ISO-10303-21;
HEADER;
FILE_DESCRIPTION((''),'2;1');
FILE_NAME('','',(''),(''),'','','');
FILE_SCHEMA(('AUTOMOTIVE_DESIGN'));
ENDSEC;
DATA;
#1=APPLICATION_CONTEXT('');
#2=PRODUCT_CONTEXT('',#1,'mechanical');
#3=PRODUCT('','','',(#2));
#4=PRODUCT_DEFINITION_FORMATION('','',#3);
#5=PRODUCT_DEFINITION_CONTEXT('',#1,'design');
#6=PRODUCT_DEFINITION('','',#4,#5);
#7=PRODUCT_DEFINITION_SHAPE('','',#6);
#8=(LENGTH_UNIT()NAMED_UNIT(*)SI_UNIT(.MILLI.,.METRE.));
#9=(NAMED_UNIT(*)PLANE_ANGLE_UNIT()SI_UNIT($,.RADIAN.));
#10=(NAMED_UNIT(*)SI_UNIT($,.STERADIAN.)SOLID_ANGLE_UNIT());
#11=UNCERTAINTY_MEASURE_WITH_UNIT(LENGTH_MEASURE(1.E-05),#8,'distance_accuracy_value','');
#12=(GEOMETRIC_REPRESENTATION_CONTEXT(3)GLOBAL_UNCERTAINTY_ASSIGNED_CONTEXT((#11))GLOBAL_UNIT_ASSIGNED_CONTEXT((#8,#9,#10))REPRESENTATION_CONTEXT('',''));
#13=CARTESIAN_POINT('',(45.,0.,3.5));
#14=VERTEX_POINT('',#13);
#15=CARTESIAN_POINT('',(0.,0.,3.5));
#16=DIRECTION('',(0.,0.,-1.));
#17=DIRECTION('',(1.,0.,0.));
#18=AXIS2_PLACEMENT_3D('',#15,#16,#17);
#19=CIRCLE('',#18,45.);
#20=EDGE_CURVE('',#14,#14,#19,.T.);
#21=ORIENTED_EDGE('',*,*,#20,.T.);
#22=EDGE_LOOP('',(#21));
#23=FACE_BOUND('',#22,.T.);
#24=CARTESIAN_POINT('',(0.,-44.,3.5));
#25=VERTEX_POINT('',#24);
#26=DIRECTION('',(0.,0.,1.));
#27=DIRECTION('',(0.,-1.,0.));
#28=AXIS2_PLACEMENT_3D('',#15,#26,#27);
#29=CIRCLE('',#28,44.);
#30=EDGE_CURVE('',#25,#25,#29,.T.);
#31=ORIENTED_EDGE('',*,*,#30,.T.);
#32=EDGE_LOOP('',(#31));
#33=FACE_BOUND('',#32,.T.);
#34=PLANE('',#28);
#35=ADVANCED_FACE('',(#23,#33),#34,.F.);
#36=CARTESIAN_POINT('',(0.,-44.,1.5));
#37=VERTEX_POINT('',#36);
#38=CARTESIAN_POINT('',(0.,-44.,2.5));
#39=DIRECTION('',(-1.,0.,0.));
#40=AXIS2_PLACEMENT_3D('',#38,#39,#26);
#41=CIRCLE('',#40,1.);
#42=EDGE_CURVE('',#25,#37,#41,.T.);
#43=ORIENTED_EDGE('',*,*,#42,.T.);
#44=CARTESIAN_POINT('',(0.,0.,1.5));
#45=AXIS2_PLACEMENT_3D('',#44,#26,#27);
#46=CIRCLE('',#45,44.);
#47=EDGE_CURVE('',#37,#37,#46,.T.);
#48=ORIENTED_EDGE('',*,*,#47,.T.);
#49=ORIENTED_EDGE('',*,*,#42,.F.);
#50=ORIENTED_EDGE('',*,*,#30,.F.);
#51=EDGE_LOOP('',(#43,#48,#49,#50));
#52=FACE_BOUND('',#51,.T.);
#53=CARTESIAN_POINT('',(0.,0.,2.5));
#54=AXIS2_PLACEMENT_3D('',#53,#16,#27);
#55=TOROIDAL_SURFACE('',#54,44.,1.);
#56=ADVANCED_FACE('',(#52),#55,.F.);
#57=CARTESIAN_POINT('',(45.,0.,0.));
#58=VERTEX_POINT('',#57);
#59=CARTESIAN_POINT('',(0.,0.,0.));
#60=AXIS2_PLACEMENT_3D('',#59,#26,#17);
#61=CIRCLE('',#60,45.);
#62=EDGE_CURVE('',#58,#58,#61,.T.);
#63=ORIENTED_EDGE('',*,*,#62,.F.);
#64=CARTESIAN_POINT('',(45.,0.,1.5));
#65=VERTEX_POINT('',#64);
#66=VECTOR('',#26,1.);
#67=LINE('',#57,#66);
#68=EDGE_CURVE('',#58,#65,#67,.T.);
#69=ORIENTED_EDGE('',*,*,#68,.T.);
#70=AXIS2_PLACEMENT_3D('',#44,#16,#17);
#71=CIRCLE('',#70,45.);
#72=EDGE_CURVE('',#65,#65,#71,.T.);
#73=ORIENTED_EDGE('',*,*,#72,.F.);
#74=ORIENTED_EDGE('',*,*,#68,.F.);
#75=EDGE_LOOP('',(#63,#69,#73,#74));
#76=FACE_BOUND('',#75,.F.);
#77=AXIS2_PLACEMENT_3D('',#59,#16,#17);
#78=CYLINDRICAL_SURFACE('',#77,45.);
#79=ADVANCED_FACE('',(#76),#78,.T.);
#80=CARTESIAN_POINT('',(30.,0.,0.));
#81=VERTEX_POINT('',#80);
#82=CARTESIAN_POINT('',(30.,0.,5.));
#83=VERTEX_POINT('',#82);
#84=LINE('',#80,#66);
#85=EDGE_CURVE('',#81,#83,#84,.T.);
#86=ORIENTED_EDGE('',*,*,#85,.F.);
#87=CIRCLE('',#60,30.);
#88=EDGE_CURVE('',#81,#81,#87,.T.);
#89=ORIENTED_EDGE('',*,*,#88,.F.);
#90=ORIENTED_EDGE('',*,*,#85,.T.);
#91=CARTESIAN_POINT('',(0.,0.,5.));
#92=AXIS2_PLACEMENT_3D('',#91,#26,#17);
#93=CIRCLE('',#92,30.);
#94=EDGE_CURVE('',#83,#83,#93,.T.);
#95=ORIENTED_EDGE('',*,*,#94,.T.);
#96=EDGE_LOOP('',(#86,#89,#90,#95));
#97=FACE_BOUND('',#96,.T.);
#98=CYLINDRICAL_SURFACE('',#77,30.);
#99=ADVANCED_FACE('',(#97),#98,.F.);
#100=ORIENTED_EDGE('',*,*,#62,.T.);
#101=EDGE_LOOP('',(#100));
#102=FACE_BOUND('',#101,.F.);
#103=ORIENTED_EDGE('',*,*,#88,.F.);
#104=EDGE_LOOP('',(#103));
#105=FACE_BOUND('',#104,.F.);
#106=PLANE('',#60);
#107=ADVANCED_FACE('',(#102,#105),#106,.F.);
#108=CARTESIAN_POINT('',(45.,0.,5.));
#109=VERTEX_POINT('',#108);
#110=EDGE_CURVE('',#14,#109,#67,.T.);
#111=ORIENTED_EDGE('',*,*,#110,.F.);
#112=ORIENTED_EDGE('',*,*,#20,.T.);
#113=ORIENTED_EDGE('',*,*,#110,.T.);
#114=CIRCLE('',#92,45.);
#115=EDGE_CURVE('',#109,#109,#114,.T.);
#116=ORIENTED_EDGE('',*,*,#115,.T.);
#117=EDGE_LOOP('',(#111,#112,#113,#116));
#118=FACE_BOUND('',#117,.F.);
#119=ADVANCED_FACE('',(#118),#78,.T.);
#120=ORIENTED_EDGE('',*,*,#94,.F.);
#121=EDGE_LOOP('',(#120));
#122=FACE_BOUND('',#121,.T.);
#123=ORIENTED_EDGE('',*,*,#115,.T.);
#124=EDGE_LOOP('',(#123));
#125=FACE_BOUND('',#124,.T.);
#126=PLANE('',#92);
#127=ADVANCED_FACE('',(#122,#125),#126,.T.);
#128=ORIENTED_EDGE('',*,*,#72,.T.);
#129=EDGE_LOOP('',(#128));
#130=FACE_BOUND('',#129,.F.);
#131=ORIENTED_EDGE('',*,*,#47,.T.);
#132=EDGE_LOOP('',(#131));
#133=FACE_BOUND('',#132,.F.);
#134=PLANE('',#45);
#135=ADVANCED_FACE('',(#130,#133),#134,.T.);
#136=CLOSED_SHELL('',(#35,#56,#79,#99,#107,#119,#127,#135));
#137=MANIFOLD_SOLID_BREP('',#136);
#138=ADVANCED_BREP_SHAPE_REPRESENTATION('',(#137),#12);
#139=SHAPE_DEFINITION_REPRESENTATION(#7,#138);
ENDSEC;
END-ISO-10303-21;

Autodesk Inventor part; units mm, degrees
ref_plane "YZ Plane" through (0, 0, 0) normal (1, 0, 0) x (0, 1, 0)
ref_plane "XZ Plane" through (0, 0, 0) normal (0, 1, 0) x (-1, 0, 0)
ref_plane "XY Plane" through (0, 0, 0) normal (0, 0, 1) x (1, 0, 0)
sketch "Эскиз1" plane through (0, 0, 0) normal (0, 0, 1) x (1, 0, 0)
  circle A0 centre (0, 0) radius 30
  circle A1 centre (0, 0) radius 45
  dimension "d0" = 60
  dimension "d1" = 90
extrude "Выдавливание1" add sketch "Эскиз1" along normal blind 5
sketch "Эскиз2" plane through (0, 0, 0) normal (1, 0, 0) x (0, 1, 0)
  line L0 (-45, 0) -> (-45, 5) projected
  line L1 (0, -0.8) -> (0, 4.8) projected
  line L2 (-45, 0) -> (-45, 5) projected
  line L3 (-45, 2.5) -> (-44, 2.5)
  circle A0 centre (-44, 2.5) radius 1
  line L4 (-44, 3.5) -> (-45, 3.5)
  line L5 (-44, 1.5) -> (-45, 1.5)
  line L6 (-45, 0) -> (-45, 5) projected
  point P0 (0, 0)
  dimension "d6" = 1
  dimension "d7" = 2
revolve "Вращение1" cut sketch "Эскиз2" angle 360 about axis through (0, 0, -10) along (0, 0, 1)
properties part number "Кольцо сальника" material "Сталь, легированная"
